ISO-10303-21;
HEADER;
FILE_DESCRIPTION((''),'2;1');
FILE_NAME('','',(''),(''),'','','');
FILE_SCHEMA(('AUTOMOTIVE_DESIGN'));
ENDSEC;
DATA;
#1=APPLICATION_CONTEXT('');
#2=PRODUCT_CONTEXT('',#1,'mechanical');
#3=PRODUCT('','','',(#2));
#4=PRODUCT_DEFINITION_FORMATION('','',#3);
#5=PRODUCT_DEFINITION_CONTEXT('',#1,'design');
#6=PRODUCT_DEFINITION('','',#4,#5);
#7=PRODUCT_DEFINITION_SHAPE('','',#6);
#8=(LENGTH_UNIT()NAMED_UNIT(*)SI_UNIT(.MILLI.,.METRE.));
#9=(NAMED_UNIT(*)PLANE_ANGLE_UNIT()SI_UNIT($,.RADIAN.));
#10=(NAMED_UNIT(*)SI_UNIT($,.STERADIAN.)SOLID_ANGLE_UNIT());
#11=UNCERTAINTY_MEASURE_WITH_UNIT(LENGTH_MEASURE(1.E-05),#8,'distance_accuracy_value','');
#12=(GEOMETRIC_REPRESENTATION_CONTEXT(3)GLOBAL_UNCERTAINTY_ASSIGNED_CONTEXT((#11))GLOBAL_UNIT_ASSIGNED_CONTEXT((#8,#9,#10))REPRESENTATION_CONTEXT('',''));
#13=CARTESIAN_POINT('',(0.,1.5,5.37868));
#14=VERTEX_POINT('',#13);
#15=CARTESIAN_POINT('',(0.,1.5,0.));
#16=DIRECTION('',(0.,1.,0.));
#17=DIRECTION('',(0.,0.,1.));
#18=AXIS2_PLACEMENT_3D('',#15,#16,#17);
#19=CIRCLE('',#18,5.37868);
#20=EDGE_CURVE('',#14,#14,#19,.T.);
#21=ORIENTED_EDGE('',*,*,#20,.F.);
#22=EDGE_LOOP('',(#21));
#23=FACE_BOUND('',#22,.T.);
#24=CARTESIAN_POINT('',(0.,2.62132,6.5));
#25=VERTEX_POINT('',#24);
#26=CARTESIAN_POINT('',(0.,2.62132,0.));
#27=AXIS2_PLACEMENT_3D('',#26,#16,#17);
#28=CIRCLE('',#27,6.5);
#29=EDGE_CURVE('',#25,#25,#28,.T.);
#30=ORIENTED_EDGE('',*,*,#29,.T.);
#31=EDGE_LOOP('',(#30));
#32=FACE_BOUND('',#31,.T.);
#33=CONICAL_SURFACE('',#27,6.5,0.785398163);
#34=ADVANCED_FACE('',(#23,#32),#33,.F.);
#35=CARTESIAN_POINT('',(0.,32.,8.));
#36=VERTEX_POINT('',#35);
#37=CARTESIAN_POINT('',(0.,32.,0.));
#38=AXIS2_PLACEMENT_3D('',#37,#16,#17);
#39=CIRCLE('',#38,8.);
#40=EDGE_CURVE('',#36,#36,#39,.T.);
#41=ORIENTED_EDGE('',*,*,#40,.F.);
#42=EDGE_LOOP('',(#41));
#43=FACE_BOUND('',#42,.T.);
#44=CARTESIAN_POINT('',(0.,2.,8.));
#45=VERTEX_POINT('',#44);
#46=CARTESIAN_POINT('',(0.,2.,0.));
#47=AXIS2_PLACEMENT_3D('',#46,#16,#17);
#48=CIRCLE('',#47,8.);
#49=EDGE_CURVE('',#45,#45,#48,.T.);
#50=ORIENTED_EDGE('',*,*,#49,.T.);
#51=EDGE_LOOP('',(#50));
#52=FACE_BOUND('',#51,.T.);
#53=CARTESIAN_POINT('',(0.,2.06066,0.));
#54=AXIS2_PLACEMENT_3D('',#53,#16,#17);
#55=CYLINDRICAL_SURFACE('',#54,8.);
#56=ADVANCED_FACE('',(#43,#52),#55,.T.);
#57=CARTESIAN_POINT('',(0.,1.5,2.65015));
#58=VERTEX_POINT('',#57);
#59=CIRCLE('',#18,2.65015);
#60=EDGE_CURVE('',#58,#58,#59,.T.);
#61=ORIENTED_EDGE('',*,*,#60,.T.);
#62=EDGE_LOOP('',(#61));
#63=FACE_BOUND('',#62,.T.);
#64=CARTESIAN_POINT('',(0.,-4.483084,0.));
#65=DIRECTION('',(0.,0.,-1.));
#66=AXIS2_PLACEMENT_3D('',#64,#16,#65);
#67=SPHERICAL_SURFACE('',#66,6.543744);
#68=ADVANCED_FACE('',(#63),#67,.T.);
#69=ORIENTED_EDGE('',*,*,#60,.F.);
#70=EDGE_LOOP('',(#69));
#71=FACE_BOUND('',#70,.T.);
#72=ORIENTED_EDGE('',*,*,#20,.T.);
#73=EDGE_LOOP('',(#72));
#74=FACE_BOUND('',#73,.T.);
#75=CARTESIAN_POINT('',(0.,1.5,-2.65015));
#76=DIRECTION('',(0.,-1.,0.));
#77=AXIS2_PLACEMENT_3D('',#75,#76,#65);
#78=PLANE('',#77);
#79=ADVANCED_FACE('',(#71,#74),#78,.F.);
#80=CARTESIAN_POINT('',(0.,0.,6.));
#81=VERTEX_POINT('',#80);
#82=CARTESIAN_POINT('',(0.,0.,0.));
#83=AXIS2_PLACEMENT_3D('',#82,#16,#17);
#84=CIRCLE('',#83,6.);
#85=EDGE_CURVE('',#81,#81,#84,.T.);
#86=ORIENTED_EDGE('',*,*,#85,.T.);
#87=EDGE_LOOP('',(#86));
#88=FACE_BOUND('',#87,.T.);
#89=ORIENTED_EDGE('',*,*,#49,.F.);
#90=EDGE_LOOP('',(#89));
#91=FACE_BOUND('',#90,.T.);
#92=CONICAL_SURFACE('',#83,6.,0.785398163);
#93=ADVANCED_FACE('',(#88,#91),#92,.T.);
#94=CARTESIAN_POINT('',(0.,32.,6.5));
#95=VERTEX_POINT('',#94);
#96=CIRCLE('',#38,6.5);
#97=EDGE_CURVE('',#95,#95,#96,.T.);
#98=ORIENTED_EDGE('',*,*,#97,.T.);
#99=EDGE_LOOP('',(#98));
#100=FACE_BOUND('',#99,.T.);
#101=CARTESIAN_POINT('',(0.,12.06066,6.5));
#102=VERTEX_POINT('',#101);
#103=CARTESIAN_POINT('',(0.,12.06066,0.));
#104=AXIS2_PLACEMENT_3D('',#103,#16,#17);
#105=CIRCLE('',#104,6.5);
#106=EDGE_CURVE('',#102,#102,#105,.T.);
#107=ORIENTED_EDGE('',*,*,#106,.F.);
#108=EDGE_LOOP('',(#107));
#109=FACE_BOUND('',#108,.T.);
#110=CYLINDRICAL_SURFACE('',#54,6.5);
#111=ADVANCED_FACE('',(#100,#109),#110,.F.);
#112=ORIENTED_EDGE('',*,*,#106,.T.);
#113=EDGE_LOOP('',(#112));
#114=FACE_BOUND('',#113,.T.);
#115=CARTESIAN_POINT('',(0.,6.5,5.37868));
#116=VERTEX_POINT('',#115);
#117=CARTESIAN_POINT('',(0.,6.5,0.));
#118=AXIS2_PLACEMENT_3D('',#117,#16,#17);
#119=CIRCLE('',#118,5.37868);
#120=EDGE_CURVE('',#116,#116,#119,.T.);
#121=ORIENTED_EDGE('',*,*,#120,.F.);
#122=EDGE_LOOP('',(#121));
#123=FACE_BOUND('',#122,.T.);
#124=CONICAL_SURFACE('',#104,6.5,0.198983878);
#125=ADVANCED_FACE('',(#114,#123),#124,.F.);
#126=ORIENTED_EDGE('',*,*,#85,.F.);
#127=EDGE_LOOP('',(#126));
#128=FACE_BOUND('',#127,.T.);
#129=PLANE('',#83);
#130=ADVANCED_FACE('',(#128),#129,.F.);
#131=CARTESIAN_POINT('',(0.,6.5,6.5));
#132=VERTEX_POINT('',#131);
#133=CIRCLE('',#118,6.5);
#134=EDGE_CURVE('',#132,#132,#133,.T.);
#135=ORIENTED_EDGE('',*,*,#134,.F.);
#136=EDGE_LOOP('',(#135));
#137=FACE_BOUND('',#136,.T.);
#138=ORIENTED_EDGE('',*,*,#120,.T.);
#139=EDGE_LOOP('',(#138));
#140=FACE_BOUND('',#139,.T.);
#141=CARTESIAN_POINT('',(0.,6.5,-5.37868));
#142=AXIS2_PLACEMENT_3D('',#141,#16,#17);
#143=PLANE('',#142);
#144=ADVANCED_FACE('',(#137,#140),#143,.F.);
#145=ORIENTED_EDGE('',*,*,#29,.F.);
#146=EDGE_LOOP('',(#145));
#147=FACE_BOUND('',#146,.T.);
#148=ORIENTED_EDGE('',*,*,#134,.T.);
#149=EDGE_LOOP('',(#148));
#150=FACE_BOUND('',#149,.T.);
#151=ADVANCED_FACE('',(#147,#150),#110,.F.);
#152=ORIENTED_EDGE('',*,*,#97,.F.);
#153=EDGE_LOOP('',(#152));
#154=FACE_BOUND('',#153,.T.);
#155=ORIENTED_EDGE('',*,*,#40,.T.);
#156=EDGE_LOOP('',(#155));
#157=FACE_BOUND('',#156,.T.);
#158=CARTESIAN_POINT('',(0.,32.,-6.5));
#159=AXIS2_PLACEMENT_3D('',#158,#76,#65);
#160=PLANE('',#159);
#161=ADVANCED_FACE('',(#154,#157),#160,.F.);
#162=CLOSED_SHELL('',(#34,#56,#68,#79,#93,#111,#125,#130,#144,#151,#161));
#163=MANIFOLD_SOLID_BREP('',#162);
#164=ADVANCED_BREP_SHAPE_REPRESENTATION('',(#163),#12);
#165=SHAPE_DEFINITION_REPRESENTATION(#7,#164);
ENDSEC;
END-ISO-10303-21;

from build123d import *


with BuildPart() as part:
    # Sketch2 → Revolve1 (revolve)
    with BuildSketch(Plane(origin=(0, 0, 0), x_dir=(0, 0, -1), z_dir=(1, 0, 0)), mode=Mode.PRIVATE) as revolve1_sk:
        with BuildLine():
            Line((0, 0), (6, 0))
            Line((6, 0), (8, 2))
            Line((8, 2), (8, 32))
            Line((8, 32), (6.5, 32))
            Line((6.5, 32), (6.5, 12.060660172))
            Line((6.5, 12.060660172), (5.378679656, 6.5))
            Line((5.378679656, 6.5), (6.5, 6.5))
            Line((6.5, 6.5), (6.5, 2.621320344))
            Line((6.5, 2.621320344), (5.378679656, 1.5))
            Line((5.378679656, 1.5), (2.65014975, 1.5))
            ThreePointArc((2.65014975, 1.5), (1.35440333, 1.91896094), (0, 2.060660172))
            Line((0, 2.060660172), (0, 0))
        make_face()
    revolve(revolve1_sk.sketch.rotate(Axis((0, 2.060660172, 0), (0, -1, 0)), 180), axis=Axis((0, 2.060660172, 0), (0, -1, 0)))


solid = part.part
